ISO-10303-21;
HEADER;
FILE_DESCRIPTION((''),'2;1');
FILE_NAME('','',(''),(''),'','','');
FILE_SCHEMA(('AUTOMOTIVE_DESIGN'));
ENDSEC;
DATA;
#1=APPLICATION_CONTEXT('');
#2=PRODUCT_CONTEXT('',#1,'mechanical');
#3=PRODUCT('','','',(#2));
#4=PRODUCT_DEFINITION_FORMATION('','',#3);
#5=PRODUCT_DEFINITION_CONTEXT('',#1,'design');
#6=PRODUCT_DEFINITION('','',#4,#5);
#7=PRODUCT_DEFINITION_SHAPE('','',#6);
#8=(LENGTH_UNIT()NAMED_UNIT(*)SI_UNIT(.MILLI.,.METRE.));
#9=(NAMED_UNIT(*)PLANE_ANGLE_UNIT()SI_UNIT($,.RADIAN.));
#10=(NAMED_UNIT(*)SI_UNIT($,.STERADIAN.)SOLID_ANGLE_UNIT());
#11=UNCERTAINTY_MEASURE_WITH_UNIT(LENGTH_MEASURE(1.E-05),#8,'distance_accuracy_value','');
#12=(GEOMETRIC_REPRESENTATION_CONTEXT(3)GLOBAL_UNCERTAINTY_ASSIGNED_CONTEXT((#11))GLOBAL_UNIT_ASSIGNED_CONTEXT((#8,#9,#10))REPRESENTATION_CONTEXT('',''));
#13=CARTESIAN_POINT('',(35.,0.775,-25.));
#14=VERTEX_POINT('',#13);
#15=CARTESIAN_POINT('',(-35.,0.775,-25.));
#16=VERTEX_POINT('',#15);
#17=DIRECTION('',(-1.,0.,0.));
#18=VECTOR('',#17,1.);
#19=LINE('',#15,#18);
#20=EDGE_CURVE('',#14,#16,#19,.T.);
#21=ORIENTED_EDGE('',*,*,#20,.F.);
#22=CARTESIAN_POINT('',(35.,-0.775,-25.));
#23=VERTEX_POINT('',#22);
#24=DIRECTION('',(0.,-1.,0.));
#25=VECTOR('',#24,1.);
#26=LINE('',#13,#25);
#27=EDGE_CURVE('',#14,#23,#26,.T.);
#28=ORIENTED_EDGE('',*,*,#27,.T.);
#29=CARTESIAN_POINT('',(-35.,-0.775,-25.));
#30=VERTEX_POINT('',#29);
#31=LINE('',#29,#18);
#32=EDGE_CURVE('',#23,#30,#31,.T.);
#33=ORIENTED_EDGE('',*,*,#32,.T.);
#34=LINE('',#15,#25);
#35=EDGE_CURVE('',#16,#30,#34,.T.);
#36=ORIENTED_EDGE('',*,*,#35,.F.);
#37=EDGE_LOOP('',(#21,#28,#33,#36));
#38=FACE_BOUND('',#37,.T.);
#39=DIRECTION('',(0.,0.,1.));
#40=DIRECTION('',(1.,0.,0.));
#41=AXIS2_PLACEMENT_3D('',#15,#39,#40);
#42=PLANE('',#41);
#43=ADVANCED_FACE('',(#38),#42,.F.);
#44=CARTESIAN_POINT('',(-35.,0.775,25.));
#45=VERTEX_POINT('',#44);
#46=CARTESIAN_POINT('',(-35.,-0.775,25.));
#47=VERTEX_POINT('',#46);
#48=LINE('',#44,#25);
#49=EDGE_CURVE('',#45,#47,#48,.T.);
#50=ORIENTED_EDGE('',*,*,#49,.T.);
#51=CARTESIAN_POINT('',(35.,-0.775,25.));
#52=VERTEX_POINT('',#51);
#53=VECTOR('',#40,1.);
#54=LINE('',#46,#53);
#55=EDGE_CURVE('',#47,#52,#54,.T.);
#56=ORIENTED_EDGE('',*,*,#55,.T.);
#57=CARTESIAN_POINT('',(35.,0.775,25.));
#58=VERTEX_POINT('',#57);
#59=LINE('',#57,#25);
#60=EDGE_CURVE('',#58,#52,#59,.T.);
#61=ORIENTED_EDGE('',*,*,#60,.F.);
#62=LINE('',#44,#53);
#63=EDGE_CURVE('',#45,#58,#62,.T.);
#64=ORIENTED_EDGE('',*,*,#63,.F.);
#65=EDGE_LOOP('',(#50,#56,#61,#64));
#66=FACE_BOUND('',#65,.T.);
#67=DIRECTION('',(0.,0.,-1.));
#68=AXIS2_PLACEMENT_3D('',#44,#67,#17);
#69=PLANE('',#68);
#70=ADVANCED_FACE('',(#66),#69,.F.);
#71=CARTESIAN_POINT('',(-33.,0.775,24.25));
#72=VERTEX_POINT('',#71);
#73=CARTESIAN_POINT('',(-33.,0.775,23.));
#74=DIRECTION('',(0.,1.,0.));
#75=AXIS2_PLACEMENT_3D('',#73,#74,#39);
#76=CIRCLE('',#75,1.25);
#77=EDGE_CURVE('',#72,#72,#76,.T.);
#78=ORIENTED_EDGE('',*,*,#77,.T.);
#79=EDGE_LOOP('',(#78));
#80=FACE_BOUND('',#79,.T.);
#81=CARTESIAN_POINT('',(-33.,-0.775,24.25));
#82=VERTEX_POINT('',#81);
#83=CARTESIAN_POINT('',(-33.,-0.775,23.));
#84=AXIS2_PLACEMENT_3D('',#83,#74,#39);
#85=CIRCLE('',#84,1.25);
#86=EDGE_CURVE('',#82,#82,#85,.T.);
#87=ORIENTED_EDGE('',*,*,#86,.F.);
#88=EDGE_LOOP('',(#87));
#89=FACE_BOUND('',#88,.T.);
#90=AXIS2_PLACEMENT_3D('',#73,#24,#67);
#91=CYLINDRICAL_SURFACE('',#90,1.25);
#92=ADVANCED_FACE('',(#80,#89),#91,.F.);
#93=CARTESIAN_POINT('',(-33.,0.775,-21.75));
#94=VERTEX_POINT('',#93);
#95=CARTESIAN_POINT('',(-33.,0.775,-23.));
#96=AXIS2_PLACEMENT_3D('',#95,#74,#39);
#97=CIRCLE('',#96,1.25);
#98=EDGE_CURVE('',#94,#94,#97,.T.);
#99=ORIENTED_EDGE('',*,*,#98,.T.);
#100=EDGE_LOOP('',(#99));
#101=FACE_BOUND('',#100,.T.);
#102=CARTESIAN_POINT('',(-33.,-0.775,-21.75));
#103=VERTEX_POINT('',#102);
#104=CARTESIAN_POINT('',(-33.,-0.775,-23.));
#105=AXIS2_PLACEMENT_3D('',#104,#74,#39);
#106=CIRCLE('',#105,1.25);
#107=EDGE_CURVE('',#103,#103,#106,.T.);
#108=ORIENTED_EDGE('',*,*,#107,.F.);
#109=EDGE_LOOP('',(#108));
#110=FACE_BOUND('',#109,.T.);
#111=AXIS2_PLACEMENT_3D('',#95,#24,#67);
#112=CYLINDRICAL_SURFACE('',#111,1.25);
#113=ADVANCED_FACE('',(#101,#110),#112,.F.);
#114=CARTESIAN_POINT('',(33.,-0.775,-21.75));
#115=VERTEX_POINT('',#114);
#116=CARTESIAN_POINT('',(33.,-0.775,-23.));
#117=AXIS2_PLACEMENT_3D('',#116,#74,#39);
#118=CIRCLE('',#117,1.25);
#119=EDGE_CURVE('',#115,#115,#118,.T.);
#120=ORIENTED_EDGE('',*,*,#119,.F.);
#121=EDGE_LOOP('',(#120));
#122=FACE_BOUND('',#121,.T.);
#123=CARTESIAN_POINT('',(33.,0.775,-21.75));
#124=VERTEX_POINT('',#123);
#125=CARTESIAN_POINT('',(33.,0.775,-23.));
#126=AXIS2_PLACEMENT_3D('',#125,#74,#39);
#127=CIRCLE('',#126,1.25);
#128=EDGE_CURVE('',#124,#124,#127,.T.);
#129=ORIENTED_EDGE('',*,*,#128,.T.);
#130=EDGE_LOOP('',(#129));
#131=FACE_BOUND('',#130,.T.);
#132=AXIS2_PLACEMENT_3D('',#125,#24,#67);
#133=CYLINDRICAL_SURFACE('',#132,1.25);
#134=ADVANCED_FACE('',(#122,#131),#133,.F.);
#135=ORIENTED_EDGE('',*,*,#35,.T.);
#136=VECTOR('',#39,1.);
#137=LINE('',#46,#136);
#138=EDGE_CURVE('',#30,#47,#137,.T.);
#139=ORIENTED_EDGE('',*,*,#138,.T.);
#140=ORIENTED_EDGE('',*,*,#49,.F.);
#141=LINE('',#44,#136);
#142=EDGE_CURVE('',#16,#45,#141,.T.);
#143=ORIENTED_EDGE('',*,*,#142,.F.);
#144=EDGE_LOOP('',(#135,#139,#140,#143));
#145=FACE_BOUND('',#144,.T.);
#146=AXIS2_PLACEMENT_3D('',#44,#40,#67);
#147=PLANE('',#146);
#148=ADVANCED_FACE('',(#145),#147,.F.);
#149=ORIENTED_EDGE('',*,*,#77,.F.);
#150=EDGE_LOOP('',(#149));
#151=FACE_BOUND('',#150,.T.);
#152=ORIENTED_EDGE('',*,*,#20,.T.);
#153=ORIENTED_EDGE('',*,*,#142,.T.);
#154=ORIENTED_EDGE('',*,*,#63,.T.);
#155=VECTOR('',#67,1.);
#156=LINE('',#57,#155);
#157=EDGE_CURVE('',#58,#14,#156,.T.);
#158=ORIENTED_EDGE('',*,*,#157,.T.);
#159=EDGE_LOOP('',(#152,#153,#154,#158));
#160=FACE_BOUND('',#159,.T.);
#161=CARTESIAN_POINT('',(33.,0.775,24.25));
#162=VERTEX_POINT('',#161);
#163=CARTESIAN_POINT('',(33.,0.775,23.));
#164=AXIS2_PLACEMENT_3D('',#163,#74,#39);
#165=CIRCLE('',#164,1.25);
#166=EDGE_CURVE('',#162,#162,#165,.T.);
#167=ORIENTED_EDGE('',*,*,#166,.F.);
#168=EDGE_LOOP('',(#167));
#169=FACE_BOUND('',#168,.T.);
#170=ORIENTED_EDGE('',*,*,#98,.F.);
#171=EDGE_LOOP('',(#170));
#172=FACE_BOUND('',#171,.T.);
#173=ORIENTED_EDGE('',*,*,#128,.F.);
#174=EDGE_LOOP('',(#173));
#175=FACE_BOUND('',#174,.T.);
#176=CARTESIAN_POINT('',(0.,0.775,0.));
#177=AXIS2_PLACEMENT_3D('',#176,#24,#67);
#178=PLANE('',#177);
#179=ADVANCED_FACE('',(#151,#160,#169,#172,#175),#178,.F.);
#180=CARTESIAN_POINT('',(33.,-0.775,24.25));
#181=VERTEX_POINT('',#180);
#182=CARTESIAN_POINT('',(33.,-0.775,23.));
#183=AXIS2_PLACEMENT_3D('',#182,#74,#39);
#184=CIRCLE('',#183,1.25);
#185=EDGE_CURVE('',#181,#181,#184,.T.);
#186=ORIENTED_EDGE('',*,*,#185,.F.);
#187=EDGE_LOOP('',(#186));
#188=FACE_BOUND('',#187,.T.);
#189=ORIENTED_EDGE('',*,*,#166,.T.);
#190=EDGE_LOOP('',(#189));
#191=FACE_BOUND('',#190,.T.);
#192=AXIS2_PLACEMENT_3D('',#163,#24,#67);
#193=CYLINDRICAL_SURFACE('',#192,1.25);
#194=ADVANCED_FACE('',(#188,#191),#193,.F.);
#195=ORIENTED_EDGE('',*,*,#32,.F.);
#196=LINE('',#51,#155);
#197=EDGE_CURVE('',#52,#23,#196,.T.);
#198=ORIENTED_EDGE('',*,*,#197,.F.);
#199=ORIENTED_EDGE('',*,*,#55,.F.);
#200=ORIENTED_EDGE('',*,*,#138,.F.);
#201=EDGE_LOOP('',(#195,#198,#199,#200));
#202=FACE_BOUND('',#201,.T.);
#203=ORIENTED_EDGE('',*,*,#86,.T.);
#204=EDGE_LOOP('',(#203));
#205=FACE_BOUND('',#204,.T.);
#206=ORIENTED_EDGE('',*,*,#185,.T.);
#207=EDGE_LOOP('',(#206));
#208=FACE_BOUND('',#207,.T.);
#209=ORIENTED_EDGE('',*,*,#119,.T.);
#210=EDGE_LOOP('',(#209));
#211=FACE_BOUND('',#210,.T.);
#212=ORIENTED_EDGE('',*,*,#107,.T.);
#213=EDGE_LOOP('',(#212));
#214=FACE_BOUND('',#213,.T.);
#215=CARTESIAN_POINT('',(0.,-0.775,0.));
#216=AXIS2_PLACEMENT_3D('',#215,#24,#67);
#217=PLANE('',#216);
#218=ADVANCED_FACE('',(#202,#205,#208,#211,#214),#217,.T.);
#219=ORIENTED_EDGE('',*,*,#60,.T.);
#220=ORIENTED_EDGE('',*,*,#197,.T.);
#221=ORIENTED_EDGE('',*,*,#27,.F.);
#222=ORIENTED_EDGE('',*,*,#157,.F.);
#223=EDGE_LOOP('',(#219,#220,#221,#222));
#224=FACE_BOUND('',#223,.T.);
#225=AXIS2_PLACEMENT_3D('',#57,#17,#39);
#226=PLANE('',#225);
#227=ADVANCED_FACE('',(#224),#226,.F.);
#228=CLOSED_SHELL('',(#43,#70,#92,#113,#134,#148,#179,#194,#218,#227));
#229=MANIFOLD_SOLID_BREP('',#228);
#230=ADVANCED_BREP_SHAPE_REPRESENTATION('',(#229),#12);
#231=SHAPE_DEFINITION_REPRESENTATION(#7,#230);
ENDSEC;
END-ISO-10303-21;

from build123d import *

# Parameters (mm, degrees)
SKETCH1_W           = 70
SKETCH1_H           = 50
SKETCH1_R           = 1.25
BOSS_EXTRUDE1_DEPTH = 0.775


with BuildPart() as part:
    # Sketch1 → Boss-Extrude1 (new body, symmetric)
    with BuildSketch(Plane(origin=(0, 0, 0), x_dir=(1, 0, 0), z_dir=(0, 1, 0))):
        Rectangle(SKETCH1_W, SKETCH1_H)
        with Locations((-33, 23)):
            Circle(SKETCH1_R, mode=Mode.SUBTRACT)
        with Locations((33, 23)):
            Circle(SKETCH1_R, mode=Mode.SUBTRACT)
        with Locations((-33, -23)):
            Circle(SKETCH1_R, mode=Mode.SUBTRACT)
        with Locations((33, -23)):
            Circle(SKETCH1_R, mode=Mode.SUBTRACT)
    extrude(amount=BOSS_EXTRUDE1_DEPTH, both=True)


solid = part.part
